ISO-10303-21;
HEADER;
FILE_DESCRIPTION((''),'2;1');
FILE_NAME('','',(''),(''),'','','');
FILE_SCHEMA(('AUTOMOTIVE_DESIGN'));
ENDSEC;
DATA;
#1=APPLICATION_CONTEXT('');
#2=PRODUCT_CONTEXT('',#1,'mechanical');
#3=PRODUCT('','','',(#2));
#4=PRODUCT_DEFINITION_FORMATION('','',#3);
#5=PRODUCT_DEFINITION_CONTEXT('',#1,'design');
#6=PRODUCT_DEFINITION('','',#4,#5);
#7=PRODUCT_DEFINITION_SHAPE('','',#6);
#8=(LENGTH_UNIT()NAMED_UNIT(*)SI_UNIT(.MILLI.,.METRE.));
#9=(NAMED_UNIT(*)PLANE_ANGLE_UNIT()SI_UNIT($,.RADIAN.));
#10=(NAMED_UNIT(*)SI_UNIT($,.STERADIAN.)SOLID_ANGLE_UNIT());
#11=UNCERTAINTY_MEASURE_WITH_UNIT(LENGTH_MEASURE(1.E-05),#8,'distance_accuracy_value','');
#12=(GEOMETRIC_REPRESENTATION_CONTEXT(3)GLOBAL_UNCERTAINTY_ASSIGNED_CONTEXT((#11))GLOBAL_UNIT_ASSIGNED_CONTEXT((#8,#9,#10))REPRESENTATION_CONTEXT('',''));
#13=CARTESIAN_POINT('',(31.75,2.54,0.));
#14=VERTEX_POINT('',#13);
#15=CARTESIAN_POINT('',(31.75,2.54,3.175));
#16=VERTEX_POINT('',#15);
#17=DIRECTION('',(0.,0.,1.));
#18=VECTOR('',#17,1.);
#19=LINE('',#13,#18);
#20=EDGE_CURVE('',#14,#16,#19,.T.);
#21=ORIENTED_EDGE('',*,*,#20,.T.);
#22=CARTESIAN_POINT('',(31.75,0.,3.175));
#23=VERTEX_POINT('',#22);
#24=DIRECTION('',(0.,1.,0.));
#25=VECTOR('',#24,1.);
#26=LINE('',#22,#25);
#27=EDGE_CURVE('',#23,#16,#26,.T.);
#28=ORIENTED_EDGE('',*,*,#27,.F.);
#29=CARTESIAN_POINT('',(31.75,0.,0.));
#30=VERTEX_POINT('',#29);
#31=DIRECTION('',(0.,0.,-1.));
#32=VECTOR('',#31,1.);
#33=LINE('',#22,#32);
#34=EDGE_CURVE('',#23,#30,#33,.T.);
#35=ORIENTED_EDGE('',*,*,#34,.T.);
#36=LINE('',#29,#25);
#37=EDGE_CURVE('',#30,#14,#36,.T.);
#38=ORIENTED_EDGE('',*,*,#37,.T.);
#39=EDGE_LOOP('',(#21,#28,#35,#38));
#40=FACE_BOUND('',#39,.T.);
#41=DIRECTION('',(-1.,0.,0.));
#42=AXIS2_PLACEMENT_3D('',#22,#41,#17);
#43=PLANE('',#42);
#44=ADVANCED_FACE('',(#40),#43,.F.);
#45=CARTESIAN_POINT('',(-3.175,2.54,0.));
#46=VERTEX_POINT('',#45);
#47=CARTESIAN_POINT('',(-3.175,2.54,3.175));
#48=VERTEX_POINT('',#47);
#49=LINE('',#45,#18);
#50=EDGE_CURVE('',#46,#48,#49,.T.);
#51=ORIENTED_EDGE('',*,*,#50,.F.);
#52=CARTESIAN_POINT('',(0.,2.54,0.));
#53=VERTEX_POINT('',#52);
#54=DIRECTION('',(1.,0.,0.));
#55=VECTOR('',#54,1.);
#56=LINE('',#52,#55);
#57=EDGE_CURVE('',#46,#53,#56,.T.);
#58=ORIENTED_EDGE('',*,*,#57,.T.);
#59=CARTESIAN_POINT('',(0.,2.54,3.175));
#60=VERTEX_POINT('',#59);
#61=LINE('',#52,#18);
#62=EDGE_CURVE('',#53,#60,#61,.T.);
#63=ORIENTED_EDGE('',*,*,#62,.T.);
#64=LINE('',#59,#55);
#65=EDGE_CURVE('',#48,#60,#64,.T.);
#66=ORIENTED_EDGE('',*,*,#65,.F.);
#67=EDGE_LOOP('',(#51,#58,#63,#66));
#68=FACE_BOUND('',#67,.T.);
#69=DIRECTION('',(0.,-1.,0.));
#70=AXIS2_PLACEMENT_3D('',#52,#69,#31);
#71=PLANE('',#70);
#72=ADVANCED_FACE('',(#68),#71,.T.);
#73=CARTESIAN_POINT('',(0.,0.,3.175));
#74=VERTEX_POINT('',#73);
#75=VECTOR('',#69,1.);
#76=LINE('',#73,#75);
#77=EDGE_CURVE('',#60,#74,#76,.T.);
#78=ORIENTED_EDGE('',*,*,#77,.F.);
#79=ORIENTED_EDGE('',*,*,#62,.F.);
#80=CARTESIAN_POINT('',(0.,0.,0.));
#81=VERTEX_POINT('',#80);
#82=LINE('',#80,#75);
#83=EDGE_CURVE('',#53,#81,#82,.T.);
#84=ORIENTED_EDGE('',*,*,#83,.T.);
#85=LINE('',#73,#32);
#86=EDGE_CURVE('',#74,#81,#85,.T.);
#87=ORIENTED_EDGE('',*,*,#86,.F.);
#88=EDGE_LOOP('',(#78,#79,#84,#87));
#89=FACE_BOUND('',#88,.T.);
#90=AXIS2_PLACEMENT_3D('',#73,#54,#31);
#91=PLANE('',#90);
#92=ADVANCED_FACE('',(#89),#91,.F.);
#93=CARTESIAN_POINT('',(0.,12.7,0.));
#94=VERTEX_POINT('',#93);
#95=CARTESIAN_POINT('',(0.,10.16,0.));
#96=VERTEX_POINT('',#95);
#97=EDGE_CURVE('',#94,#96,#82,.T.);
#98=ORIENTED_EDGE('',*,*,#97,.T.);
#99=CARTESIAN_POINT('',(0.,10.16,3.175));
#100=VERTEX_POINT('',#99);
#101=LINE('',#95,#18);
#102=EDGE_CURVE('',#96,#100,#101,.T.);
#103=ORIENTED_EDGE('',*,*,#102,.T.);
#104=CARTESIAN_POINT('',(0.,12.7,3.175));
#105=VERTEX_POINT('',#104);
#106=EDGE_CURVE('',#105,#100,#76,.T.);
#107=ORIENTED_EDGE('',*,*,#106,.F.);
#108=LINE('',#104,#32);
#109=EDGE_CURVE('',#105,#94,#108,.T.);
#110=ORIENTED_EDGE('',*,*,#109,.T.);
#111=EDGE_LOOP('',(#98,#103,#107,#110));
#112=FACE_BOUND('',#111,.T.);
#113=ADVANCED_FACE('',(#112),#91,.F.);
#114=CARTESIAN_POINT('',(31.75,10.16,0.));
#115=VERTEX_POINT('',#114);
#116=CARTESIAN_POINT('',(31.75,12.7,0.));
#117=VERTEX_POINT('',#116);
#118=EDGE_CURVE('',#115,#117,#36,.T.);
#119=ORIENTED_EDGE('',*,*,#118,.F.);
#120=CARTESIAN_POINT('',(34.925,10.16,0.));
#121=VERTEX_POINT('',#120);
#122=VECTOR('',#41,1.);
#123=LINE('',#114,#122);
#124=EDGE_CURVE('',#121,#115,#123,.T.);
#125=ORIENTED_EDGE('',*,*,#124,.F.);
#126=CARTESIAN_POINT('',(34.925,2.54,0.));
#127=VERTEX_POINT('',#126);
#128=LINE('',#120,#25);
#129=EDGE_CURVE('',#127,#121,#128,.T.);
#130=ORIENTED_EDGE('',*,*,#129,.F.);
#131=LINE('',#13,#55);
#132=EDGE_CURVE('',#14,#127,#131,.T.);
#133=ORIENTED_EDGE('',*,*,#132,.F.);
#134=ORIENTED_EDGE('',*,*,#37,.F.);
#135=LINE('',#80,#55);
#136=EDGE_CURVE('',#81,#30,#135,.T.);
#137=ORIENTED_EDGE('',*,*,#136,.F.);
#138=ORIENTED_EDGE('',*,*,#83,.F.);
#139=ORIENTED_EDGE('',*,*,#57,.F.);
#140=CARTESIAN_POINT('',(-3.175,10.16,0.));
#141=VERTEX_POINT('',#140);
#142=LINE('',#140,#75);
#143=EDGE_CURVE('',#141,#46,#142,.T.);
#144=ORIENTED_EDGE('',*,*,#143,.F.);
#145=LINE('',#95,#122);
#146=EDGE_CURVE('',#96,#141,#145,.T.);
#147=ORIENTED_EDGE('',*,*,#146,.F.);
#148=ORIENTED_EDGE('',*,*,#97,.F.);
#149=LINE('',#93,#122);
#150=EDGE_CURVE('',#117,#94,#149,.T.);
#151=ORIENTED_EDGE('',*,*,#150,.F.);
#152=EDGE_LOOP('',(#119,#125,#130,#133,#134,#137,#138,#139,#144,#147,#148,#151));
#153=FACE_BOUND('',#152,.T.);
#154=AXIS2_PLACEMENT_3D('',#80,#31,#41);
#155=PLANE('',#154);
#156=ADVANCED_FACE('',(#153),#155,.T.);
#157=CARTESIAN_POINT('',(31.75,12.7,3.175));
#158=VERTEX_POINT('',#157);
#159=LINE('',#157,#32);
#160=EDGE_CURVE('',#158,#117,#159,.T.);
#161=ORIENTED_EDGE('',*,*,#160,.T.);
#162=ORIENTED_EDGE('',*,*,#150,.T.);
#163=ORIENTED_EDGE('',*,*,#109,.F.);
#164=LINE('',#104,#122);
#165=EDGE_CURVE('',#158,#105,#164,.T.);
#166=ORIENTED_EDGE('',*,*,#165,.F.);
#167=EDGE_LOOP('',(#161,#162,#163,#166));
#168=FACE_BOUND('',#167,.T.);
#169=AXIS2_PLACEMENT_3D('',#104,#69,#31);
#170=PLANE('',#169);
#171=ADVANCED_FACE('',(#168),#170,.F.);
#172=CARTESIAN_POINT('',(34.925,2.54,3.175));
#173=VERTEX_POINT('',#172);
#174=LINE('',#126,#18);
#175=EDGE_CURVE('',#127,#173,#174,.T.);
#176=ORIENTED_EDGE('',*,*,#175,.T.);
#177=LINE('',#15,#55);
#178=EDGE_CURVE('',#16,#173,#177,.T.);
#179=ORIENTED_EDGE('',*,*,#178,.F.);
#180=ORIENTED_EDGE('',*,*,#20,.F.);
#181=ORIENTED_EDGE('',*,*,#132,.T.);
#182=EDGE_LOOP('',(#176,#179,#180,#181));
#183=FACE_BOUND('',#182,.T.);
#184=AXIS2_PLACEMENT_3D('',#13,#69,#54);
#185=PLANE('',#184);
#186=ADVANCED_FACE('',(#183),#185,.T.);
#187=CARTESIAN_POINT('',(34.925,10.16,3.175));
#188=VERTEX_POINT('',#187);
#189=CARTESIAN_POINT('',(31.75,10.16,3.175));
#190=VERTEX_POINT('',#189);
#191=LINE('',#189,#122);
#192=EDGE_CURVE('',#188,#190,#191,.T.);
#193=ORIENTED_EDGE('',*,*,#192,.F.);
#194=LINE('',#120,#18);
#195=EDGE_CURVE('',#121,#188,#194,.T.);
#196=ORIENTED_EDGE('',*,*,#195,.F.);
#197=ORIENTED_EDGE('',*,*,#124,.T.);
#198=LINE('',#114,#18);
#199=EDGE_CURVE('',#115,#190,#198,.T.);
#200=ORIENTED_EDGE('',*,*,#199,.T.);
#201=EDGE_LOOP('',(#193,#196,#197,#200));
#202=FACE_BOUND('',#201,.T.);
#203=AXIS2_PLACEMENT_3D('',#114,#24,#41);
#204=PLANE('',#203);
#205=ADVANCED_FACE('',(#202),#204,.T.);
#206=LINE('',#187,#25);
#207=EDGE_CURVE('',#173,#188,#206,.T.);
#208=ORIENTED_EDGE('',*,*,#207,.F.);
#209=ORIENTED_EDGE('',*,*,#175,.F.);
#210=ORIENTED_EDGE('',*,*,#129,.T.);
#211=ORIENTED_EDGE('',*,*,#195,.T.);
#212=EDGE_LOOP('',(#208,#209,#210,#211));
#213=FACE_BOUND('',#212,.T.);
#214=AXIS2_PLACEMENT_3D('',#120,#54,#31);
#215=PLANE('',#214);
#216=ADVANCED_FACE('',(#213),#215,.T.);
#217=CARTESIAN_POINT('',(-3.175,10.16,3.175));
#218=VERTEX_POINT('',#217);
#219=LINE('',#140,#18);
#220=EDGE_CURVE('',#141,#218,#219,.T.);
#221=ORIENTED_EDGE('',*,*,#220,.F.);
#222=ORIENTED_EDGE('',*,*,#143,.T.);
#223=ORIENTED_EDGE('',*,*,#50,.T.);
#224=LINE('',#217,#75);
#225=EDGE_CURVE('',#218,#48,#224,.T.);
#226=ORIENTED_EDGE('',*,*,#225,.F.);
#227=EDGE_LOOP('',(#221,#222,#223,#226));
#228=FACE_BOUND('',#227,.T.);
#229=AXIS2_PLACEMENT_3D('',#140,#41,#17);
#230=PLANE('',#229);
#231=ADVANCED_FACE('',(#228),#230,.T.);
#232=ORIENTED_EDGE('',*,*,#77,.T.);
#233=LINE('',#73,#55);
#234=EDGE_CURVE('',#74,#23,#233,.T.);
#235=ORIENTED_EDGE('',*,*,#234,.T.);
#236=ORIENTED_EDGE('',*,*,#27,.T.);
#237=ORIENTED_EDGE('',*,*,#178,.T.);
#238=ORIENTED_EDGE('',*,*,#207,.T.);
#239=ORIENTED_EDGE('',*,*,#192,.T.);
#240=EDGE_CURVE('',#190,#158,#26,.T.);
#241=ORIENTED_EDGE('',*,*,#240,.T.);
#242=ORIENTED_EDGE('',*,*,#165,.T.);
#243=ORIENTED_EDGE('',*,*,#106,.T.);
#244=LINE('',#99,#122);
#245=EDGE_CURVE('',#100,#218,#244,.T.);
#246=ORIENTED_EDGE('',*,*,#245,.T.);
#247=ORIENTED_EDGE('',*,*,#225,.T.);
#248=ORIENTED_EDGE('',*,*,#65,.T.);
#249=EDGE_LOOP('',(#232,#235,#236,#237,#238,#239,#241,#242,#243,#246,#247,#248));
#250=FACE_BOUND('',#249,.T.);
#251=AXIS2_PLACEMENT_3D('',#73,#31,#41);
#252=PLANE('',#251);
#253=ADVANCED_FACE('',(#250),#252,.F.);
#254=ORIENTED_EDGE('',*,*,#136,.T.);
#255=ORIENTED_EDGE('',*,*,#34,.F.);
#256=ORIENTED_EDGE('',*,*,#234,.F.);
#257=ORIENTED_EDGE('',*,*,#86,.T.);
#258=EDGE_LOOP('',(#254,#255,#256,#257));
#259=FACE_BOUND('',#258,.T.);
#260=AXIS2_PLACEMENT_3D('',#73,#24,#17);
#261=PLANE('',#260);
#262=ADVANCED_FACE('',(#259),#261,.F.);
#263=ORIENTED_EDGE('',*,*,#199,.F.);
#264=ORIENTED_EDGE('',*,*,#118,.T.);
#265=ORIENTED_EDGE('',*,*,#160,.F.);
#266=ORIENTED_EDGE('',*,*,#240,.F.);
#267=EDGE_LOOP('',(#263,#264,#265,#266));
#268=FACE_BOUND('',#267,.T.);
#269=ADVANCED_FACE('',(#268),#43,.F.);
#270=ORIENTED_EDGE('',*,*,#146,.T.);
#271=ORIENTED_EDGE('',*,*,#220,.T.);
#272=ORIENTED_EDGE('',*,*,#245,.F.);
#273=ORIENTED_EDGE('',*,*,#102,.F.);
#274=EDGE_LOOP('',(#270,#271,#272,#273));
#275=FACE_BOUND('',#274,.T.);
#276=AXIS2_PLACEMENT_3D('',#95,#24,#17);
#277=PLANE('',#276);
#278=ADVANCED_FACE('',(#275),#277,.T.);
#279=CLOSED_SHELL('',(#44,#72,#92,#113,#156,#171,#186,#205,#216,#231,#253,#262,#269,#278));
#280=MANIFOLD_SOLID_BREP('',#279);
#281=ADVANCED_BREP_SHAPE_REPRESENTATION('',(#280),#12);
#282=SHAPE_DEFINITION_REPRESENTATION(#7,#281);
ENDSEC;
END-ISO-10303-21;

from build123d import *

# Parameters (mm, degrees)
SKETCH1_W           = 31.75
SKETCH1_H           = 12.7
BOSS_EXTRUDE1_DEPTH = 3.175
SKETCH2_W           = 3.175
SKETCH2_H           = 7.62
BOSS_EXTRUDE2_DEPTH = 3.175


with BuildPart() as part:
    # Sketch1 → Boss-Extrude1 (new body)
    with BuildSketch(Plane.XY):
        with Locations((15.875, 6.35)):
            Rectangle(SKETCH1_W, SKETCH1_H)
    extrude(amount=BOSS_EXTRUDE1_DEPTH)

    # Sketch2 → Boss-Extrude2 (add)
    with BuildSketch(Plane.XY.offset(3.175)):
        with Locations((-1.5875, 6.35)):
            Rectangle(SKETCH2_W, SKETCH2_H)
        with Locations((33.3375, 6.35)):
            Rectangle(SKETCH2_W, SKETCH2_H)
    extrude(amount=-BOSS_EXTRUDE2_DEPTH)


solid = part.part
